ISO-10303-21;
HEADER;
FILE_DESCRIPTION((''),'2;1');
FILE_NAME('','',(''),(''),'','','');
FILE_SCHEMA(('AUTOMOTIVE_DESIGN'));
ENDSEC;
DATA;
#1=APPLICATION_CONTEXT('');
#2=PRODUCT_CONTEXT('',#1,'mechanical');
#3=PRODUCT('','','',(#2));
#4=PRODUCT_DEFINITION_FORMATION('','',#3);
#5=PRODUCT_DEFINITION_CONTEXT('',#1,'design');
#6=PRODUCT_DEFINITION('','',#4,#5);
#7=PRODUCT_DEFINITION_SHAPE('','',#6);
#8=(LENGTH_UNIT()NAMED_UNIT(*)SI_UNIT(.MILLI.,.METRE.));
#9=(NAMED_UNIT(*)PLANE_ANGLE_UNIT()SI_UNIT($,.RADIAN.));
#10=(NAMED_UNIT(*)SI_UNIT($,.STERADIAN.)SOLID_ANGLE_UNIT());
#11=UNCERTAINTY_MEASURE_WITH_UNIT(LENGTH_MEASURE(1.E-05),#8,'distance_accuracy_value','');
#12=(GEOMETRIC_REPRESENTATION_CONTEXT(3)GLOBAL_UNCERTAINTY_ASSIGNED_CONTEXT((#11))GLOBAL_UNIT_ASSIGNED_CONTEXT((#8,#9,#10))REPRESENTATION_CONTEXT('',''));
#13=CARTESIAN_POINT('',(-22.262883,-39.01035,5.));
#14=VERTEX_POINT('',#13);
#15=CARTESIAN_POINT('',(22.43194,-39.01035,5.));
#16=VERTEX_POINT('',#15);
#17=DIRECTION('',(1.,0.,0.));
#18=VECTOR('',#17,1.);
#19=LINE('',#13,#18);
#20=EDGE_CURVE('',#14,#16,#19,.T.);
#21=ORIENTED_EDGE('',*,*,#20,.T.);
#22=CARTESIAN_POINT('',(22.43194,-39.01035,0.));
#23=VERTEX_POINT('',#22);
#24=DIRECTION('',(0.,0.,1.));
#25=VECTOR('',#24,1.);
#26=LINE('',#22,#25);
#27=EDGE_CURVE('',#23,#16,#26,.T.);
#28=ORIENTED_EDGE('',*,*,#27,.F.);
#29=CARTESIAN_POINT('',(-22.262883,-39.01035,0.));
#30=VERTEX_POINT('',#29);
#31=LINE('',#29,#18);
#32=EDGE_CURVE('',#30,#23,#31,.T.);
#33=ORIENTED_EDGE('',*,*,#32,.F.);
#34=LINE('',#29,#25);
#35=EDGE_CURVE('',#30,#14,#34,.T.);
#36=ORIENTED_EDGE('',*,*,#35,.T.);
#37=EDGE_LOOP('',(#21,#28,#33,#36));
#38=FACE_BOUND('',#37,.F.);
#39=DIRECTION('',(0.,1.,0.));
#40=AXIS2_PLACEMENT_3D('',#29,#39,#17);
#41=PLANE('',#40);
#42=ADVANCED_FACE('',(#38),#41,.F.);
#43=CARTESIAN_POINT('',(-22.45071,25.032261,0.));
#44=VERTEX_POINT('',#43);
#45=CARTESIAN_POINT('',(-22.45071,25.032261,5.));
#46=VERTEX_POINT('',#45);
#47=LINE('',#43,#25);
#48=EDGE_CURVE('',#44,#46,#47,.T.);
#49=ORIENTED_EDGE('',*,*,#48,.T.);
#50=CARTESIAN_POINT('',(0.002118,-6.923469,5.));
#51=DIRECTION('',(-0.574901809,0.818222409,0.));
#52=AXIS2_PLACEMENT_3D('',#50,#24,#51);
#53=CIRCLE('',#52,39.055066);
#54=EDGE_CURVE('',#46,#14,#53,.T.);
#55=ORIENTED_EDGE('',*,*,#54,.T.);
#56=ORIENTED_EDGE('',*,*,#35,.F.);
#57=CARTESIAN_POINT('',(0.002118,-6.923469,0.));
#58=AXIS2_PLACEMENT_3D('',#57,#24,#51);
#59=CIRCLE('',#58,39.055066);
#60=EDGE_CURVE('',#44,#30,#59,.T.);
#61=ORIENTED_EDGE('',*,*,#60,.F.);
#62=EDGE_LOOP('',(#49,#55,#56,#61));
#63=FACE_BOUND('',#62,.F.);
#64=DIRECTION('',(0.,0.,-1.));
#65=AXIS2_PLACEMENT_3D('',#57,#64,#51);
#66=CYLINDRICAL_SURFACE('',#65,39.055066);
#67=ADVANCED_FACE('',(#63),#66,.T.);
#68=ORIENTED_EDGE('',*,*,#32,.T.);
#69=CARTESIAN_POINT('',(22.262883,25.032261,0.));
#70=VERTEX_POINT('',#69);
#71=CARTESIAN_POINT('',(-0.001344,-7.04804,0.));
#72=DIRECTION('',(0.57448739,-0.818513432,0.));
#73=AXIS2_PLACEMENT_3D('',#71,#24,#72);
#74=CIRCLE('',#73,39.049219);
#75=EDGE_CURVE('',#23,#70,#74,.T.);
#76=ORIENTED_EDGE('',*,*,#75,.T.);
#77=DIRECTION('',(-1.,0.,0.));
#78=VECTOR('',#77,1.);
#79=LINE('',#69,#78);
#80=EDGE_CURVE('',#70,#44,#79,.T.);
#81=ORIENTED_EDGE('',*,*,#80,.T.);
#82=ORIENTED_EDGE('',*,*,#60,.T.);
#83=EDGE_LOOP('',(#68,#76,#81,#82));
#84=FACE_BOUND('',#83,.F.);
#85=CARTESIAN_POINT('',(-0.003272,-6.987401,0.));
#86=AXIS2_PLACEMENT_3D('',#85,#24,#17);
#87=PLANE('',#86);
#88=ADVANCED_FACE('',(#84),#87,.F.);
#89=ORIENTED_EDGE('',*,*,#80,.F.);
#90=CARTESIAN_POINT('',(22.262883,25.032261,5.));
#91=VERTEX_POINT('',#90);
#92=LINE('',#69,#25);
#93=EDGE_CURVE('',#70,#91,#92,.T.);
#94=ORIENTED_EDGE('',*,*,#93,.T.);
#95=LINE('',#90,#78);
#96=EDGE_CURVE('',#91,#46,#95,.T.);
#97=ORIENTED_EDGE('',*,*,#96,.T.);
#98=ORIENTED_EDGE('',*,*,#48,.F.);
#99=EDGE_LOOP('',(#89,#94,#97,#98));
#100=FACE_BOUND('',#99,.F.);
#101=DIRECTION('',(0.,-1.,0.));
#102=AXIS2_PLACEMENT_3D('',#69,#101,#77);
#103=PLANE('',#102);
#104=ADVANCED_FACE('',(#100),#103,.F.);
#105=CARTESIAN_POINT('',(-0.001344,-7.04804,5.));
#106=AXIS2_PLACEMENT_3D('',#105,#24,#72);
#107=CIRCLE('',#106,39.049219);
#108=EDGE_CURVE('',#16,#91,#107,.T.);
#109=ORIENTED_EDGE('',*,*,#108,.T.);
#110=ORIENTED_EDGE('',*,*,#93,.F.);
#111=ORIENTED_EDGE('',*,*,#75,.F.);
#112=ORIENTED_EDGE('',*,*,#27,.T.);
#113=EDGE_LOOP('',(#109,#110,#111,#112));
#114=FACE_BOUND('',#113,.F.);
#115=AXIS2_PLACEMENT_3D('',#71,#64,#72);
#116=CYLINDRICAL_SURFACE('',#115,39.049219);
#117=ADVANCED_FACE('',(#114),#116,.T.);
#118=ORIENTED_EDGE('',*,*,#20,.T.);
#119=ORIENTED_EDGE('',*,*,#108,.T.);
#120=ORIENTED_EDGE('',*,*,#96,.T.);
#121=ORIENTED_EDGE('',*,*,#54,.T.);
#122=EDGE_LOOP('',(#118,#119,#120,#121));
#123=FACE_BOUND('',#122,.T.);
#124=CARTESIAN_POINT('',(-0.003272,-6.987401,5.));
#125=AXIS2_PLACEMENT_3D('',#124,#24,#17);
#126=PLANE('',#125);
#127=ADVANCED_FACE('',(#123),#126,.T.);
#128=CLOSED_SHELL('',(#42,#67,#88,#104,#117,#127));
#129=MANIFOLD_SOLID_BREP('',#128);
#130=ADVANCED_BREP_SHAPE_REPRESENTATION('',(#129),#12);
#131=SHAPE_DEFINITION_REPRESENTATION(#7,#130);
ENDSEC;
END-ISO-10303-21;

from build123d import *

# Parameters (mm, degrees)
PAD_1_DEPTH = 5


with BuildPart() as part:
    # Sketch_1 → Pad_1 (new body)
    with BuildSketch(Plane.XY):
        with BuildLine():
            ThreePointArc((22.43194, -39.01035), (39.047739, -6.94496), (22.262883, 25.032261))
            Line((22.262883, 25.032261), (-22.45071, 25.032261))
            ThreePointArc((-22.45071, 25.032261), (-39.05278, -7.038011), (-22.262883, -39.01035))
            Line((-22.262883, -39.01035), (22.43194, -39.01035))
        make_face()
    extrude(amount=PAD_1_DEPTH)


solid = part.part
